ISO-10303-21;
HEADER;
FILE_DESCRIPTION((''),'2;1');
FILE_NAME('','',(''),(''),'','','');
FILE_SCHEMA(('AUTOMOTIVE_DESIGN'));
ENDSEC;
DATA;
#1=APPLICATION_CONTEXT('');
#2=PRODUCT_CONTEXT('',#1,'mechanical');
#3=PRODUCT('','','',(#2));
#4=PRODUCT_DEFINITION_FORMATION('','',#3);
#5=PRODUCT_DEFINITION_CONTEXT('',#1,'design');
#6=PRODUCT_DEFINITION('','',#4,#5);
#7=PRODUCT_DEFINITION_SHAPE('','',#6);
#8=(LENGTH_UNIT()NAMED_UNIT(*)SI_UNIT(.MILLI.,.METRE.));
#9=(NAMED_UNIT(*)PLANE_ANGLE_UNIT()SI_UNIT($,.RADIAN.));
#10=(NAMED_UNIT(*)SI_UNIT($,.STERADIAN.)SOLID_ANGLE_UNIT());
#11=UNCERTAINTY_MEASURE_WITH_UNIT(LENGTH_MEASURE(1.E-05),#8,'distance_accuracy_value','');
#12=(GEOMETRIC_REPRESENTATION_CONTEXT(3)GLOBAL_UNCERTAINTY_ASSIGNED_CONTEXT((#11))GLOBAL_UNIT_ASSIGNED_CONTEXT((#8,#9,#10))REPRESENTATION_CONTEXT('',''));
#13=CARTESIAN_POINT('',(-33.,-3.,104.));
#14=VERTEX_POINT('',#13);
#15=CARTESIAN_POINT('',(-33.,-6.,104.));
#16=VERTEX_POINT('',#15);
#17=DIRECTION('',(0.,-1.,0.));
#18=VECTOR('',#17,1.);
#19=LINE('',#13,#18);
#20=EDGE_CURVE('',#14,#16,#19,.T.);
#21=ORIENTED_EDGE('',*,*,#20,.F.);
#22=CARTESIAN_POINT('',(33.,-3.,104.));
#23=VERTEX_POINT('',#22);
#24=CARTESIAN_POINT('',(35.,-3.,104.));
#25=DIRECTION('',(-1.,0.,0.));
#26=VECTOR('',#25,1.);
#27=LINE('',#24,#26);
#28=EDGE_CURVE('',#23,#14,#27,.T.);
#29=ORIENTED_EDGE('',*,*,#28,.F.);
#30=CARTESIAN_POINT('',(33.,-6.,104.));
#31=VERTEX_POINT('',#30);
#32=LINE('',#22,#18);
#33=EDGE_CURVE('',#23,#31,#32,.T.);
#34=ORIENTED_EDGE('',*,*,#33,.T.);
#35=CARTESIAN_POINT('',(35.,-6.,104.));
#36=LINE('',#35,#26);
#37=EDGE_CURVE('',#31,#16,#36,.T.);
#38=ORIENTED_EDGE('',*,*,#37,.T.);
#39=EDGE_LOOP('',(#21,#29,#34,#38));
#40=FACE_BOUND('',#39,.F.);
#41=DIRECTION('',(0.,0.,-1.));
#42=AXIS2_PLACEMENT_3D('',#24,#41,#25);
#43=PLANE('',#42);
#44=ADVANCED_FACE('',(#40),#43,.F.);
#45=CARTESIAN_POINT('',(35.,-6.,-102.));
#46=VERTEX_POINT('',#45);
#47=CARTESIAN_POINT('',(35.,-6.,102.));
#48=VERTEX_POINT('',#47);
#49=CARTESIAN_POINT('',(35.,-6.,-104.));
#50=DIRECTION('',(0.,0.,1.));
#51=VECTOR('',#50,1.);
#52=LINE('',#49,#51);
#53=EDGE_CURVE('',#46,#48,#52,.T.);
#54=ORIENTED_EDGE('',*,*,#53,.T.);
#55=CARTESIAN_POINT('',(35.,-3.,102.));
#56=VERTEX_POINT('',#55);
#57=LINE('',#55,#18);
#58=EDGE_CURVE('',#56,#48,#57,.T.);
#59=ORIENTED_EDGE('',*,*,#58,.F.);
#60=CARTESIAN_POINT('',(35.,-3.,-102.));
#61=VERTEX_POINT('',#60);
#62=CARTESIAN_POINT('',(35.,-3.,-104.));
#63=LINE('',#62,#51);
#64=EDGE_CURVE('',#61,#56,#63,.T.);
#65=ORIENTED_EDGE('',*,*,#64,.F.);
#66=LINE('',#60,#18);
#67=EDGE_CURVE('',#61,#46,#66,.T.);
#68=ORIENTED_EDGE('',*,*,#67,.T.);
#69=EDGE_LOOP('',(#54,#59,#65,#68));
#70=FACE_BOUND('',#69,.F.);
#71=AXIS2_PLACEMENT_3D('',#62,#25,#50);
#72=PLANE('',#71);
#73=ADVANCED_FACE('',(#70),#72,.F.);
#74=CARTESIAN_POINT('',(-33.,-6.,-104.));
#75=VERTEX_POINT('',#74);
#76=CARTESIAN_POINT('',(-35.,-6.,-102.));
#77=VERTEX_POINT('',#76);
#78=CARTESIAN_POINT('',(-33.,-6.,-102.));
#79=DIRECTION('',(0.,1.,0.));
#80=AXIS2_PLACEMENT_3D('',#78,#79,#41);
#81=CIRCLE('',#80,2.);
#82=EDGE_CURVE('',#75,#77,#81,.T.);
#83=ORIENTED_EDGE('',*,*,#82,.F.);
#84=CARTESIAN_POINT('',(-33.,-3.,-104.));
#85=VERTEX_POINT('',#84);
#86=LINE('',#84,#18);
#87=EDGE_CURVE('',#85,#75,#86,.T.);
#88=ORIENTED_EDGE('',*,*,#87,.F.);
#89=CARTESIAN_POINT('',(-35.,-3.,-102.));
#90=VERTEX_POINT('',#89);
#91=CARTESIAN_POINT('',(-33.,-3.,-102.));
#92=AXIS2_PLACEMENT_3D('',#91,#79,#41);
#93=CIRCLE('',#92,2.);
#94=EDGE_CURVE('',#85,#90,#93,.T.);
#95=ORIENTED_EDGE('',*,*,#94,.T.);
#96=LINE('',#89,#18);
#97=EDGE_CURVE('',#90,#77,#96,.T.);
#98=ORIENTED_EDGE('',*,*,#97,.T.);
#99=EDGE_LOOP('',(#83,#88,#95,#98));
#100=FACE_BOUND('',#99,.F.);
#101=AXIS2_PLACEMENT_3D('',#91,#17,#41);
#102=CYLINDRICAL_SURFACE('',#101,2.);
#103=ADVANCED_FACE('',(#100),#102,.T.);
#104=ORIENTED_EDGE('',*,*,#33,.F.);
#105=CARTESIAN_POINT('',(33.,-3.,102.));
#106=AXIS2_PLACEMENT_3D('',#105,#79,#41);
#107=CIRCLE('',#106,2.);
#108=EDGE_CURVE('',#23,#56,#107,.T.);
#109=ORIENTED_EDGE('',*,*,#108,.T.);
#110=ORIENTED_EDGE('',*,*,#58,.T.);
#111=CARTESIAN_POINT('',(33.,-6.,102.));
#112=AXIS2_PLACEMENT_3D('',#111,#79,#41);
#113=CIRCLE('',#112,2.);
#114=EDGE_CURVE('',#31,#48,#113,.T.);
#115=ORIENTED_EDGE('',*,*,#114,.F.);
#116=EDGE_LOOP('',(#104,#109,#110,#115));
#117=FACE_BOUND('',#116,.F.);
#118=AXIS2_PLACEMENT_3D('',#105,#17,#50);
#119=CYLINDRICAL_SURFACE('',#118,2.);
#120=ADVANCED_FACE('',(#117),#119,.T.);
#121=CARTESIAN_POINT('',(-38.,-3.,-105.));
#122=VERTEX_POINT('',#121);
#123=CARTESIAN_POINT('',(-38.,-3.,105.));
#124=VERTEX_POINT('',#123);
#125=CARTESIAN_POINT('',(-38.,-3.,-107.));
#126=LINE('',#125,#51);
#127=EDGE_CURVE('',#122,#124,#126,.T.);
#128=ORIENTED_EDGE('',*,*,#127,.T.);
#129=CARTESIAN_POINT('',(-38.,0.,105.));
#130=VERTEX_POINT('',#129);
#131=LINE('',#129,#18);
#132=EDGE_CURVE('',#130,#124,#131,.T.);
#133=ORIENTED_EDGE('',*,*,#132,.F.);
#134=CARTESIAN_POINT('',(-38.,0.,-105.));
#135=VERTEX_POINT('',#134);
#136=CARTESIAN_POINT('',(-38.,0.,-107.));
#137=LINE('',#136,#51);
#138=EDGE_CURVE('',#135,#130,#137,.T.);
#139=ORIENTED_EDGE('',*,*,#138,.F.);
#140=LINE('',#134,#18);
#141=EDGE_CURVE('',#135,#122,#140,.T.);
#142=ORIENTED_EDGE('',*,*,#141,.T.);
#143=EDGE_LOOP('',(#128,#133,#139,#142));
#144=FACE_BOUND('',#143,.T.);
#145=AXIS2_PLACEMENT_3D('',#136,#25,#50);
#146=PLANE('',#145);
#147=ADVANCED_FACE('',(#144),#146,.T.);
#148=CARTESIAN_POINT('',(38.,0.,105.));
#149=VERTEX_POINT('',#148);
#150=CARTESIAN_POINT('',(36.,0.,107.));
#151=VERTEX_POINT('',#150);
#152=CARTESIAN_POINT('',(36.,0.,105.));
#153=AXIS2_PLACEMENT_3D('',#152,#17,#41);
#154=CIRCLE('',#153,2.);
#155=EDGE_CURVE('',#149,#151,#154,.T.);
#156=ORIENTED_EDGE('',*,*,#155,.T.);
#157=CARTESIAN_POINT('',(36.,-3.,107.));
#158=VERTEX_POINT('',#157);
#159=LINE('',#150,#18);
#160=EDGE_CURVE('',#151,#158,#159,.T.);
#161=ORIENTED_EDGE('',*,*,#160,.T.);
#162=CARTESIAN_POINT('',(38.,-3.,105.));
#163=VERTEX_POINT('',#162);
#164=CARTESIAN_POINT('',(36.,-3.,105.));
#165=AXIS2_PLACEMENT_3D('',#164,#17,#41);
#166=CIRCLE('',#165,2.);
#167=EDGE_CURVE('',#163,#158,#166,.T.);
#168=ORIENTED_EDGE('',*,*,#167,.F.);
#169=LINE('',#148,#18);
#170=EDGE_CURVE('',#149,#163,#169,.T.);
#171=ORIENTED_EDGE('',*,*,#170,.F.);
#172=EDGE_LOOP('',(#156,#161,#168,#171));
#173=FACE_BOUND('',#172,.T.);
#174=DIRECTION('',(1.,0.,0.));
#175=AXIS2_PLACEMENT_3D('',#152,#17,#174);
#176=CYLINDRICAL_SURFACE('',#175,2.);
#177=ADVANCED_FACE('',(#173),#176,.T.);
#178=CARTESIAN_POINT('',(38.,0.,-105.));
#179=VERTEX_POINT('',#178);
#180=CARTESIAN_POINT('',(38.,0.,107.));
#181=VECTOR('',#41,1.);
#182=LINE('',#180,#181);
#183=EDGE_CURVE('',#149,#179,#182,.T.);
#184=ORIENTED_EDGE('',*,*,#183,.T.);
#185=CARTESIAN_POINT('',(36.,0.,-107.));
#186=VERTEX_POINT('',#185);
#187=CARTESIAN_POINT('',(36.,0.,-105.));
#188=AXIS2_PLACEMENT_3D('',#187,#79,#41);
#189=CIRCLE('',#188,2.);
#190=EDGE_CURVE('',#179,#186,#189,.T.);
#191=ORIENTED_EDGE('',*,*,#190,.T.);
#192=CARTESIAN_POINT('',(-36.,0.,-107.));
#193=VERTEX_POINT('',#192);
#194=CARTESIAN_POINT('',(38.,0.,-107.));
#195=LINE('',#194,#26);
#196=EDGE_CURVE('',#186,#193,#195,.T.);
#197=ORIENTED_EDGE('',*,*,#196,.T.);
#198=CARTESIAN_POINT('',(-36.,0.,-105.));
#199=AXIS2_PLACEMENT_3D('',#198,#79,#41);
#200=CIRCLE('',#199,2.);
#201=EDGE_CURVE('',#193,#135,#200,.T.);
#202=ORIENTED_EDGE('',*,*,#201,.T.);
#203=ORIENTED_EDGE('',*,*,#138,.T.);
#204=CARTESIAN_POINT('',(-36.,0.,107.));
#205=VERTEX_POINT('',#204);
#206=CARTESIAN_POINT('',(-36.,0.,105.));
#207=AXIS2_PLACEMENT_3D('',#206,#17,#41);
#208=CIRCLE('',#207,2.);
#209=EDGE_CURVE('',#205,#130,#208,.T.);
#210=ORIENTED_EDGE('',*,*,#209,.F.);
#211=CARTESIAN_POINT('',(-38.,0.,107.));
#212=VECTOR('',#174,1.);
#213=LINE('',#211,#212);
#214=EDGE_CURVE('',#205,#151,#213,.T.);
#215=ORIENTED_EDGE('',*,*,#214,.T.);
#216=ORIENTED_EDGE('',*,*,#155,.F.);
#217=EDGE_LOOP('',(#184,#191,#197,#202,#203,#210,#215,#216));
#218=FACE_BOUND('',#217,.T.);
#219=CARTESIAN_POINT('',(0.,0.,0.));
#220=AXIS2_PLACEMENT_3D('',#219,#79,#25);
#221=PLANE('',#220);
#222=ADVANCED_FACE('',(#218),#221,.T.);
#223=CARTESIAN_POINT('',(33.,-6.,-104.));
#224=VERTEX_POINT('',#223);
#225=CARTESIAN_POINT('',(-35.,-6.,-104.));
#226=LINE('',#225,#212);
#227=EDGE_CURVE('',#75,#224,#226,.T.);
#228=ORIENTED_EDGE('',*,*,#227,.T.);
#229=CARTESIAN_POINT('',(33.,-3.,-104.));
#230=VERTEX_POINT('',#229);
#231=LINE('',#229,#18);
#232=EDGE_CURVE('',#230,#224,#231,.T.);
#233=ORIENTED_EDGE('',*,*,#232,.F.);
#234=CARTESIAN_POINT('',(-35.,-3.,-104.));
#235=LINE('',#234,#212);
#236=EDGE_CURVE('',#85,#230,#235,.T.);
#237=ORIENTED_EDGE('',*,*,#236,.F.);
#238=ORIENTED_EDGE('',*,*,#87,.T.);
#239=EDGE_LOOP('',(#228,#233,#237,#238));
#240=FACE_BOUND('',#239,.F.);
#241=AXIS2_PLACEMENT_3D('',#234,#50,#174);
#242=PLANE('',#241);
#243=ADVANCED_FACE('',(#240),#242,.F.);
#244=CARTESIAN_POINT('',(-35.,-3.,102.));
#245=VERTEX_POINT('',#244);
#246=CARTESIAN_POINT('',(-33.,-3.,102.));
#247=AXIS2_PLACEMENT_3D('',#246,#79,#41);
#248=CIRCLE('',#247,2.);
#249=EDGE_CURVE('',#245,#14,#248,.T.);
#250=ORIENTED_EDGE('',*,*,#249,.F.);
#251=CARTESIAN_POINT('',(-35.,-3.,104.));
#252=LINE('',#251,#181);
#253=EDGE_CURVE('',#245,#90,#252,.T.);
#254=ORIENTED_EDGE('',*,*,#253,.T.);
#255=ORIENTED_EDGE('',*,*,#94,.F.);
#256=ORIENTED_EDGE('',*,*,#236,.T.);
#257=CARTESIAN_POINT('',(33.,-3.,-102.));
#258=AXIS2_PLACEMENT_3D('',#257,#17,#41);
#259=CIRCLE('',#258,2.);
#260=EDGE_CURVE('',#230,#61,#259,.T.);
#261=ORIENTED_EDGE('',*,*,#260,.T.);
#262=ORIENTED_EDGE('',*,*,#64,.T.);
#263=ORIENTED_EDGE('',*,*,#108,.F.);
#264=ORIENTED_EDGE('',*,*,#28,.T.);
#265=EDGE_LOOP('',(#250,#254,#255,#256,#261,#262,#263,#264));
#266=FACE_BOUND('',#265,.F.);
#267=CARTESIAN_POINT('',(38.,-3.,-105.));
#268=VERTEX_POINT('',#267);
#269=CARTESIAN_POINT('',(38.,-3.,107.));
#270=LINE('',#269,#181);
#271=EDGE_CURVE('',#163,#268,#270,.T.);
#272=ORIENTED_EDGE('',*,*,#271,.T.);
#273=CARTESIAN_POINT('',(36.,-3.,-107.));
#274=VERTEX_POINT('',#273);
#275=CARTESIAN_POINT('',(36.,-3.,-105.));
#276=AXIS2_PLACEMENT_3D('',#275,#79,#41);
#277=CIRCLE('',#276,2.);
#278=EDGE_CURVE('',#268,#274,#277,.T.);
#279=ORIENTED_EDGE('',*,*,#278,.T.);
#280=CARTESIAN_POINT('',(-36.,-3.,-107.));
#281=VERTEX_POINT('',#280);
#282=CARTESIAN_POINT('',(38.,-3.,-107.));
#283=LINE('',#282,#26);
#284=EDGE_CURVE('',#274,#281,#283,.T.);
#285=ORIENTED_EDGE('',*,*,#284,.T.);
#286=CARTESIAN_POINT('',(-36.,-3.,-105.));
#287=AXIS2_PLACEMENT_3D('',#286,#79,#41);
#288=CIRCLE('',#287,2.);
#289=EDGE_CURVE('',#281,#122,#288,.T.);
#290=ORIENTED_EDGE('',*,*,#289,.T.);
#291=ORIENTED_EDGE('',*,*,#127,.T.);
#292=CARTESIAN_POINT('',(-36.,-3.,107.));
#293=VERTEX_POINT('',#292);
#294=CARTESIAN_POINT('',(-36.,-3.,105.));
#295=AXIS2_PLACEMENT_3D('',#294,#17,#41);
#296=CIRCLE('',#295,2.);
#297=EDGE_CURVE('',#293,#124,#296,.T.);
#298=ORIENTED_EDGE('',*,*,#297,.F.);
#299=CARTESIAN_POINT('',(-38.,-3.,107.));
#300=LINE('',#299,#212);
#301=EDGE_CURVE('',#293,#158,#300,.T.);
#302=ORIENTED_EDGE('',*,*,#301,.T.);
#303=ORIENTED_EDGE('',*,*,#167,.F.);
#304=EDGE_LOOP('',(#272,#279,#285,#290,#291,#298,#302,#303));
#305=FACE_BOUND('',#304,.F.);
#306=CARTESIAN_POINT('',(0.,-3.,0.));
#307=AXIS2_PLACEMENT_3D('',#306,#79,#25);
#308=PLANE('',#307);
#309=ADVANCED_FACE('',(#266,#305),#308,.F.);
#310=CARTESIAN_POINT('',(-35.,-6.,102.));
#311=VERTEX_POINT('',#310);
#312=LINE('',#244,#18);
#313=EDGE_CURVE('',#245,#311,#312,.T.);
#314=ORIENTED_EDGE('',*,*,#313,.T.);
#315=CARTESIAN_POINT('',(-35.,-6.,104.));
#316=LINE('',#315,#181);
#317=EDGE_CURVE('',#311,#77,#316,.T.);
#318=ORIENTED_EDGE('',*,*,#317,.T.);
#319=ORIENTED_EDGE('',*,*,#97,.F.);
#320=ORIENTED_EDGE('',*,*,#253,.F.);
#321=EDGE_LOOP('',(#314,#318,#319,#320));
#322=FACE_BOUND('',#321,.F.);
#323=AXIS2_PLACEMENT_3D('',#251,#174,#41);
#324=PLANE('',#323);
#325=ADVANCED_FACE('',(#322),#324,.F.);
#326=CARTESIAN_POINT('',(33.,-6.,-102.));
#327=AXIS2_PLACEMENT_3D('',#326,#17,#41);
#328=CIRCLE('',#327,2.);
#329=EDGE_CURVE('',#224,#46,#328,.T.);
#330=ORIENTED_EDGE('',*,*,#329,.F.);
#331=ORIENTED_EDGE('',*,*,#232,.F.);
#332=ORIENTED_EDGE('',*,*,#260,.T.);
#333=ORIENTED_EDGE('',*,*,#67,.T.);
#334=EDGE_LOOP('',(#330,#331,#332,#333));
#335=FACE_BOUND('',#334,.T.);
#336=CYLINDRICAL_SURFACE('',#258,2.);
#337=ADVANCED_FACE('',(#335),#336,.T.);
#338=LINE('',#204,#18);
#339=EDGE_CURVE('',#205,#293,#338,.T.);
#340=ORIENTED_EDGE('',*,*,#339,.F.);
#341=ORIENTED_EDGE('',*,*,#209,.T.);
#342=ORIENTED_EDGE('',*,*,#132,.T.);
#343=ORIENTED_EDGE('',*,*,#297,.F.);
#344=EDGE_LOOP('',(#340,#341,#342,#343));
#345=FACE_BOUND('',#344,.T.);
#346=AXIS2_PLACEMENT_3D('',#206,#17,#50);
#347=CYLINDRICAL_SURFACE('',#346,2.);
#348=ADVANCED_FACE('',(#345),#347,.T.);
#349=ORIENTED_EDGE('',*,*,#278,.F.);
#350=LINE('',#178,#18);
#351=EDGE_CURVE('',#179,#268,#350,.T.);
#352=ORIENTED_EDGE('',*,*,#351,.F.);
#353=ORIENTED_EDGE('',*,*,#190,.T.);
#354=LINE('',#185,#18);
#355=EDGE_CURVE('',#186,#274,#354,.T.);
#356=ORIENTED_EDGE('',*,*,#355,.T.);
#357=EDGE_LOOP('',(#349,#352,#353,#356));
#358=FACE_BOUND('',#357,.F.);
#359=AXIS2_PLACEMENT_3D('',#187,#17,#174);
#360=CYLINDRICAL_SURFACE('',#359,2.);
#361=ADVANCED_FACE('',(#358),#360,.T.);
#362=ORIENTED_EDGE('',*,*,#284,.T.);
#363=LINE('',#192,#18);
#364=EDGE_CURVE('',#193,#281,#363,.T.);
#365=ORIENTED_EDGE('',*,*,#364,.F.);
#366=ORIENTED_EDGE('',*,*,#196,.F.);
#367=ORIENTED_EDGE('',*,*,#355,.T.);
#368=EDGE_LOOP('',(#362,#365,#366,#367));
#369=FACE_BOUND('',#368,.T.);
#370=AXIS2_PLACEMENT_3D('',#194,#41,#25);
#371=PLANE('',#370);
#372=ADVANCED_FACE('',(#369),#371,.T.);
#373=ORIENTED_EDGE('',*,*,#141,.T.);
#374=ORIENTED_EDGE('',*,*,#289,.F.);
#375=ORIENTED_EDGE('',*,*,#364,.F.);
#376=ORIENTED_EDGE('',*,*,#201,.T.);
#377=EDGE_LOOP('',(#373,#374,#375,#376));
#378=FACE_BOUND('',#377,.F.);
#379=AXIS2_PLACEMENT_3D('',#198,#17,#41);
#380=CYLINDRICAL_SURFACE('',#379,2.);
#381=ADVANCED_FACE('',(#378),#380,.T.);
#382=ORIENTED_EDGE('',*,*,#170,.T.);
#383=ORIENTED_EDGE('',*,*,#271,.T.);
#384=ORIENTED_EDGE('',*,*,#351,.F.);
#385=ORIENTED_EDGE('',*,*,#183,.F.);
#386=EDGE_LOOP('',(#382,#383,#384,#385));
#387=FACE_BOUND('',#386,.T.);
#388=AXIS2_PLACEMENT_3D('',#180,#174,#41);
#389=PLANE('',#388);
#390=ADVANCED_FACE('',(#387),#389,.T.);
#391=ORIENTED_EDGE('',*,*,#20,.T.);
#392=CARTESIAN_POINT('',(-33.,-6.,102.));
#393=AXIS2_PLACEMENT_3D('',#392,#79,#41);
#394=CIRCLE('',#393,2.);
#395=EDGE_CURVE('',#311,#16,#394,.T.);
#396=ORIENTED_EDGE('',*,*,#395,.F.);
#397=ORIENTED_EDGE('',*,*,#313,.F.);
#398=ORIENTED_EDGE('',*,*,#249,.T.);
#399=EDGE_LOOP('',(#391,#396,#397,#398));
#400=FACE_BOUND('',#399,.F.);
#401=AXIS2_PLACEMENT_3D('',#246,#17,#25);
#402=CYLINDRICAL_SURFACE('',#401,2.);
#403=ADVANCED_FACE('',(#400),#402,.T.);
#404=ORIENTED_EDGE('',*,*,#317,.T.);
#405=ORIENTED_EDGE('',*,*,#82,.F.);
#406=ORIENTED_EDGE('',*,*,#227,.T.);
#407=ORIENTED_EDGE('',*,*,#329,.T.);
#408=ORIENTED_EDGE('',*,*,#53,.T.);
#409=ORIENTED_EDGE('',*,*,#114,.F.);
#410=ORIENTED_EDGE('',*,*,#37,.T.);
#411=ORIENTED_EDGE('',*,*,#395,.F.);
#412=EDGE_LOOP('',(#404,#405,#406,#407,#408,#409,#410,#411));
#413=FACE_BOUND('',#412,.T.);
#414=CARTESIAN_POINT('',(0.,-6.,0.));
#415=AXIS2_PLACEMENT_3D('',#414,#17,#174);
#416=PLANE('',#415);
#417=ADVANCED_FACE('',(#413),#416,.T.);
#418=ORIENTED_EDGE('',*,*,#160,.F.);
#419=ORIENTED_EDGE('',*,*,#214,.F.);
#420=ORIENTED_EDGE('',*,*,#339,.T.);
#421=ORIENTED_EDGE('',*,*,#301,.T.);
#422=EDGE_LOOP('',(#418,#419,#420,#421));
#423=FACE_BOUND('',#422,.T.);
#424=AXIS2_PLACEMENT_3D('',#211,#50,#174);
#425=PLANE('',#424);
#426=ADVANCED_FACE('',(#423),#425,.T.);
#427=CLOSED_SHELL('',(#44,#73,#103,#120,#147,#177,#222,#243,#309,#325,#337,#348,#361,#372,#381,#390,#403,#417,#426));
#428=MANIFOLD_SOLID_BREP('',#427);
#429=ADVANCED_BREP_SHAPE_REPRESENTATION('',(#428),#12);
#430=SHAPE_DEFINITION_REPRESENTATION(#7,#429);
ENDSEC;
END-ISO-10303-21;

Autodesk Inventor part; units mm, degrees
ref_plane "YZ Plane" through (0, 0, 0) normal (1, 0, 0) x (0, 1, 0)
ref_plane "XZ Plane" through (0, 0, 0) normal (0, 1, 0) x (-1, 0, 0)
ref_plane "XY Plane" through (0, 0, 0) normal (0, 0, 1) x (1, 0, 0)
sketch "Sketch1" plane through (0, 0, 0) normal (0, 1, 0) x (-1, 0, 0)
  line L0 (-38, -107) -> (38, -107)
  line L1 (38, -107) -> (38, 107)
  line L2 (38, 107) -> (-38, 107)
  line L3 (-38, 107) -> (-38, -107)
  line L4 (-38, -107) -> (38, 107) construction
  line L5 (38, -107) -> (-38, 107) construction
  point P0 (0, 0)
  dimension "d0" = 76
  dimension "d1" = 214
extrude "Extrusion1" add sketch "Sketch1" against normal blind 3
sketch "Sketch2" plane through (0, -3, 0) normal (0, -1, 0) x (1, 0, 0)
  line L0 (-38, 107) -> (-38, -107) projected
  line L1 (-38, -107) -> (38, -107) projected
  line L2 (38, -107) -> (38, 107) projected
  line L3 (38, 107) -> (-38, 107) projected
  line L4 (35, 104) -> (-35, 104)
  line L5 (-35, 104) -> (-35, -104)
  line L6 (-35, -104) -> (35, -104)
  line L7 (35, -104) -> (35, 104)
  line L8 (35, 104) -> (-35, -104) construction
  line L9 (-35, 104) -> (35, -104) construction
  point P0 (0, 0)
  dimension "d4" = 3
  dimension "d5" = 3
extrude "Extrusion2" add sketch "Sketch2" along normal blind 3 contours L7 L6 L5 L4
fillet "Fillet1" radius 2 8 edges at (35, -4.5, 104) (-35, -4.5, 104) (38, -1.5, 107) (-38, -1.5, 107) (35, -4.5, -104) (38, -1.5, -107) (-35, -4.5, -104) (-38, -1.5, -107)
properties part number "module-lid_command"
